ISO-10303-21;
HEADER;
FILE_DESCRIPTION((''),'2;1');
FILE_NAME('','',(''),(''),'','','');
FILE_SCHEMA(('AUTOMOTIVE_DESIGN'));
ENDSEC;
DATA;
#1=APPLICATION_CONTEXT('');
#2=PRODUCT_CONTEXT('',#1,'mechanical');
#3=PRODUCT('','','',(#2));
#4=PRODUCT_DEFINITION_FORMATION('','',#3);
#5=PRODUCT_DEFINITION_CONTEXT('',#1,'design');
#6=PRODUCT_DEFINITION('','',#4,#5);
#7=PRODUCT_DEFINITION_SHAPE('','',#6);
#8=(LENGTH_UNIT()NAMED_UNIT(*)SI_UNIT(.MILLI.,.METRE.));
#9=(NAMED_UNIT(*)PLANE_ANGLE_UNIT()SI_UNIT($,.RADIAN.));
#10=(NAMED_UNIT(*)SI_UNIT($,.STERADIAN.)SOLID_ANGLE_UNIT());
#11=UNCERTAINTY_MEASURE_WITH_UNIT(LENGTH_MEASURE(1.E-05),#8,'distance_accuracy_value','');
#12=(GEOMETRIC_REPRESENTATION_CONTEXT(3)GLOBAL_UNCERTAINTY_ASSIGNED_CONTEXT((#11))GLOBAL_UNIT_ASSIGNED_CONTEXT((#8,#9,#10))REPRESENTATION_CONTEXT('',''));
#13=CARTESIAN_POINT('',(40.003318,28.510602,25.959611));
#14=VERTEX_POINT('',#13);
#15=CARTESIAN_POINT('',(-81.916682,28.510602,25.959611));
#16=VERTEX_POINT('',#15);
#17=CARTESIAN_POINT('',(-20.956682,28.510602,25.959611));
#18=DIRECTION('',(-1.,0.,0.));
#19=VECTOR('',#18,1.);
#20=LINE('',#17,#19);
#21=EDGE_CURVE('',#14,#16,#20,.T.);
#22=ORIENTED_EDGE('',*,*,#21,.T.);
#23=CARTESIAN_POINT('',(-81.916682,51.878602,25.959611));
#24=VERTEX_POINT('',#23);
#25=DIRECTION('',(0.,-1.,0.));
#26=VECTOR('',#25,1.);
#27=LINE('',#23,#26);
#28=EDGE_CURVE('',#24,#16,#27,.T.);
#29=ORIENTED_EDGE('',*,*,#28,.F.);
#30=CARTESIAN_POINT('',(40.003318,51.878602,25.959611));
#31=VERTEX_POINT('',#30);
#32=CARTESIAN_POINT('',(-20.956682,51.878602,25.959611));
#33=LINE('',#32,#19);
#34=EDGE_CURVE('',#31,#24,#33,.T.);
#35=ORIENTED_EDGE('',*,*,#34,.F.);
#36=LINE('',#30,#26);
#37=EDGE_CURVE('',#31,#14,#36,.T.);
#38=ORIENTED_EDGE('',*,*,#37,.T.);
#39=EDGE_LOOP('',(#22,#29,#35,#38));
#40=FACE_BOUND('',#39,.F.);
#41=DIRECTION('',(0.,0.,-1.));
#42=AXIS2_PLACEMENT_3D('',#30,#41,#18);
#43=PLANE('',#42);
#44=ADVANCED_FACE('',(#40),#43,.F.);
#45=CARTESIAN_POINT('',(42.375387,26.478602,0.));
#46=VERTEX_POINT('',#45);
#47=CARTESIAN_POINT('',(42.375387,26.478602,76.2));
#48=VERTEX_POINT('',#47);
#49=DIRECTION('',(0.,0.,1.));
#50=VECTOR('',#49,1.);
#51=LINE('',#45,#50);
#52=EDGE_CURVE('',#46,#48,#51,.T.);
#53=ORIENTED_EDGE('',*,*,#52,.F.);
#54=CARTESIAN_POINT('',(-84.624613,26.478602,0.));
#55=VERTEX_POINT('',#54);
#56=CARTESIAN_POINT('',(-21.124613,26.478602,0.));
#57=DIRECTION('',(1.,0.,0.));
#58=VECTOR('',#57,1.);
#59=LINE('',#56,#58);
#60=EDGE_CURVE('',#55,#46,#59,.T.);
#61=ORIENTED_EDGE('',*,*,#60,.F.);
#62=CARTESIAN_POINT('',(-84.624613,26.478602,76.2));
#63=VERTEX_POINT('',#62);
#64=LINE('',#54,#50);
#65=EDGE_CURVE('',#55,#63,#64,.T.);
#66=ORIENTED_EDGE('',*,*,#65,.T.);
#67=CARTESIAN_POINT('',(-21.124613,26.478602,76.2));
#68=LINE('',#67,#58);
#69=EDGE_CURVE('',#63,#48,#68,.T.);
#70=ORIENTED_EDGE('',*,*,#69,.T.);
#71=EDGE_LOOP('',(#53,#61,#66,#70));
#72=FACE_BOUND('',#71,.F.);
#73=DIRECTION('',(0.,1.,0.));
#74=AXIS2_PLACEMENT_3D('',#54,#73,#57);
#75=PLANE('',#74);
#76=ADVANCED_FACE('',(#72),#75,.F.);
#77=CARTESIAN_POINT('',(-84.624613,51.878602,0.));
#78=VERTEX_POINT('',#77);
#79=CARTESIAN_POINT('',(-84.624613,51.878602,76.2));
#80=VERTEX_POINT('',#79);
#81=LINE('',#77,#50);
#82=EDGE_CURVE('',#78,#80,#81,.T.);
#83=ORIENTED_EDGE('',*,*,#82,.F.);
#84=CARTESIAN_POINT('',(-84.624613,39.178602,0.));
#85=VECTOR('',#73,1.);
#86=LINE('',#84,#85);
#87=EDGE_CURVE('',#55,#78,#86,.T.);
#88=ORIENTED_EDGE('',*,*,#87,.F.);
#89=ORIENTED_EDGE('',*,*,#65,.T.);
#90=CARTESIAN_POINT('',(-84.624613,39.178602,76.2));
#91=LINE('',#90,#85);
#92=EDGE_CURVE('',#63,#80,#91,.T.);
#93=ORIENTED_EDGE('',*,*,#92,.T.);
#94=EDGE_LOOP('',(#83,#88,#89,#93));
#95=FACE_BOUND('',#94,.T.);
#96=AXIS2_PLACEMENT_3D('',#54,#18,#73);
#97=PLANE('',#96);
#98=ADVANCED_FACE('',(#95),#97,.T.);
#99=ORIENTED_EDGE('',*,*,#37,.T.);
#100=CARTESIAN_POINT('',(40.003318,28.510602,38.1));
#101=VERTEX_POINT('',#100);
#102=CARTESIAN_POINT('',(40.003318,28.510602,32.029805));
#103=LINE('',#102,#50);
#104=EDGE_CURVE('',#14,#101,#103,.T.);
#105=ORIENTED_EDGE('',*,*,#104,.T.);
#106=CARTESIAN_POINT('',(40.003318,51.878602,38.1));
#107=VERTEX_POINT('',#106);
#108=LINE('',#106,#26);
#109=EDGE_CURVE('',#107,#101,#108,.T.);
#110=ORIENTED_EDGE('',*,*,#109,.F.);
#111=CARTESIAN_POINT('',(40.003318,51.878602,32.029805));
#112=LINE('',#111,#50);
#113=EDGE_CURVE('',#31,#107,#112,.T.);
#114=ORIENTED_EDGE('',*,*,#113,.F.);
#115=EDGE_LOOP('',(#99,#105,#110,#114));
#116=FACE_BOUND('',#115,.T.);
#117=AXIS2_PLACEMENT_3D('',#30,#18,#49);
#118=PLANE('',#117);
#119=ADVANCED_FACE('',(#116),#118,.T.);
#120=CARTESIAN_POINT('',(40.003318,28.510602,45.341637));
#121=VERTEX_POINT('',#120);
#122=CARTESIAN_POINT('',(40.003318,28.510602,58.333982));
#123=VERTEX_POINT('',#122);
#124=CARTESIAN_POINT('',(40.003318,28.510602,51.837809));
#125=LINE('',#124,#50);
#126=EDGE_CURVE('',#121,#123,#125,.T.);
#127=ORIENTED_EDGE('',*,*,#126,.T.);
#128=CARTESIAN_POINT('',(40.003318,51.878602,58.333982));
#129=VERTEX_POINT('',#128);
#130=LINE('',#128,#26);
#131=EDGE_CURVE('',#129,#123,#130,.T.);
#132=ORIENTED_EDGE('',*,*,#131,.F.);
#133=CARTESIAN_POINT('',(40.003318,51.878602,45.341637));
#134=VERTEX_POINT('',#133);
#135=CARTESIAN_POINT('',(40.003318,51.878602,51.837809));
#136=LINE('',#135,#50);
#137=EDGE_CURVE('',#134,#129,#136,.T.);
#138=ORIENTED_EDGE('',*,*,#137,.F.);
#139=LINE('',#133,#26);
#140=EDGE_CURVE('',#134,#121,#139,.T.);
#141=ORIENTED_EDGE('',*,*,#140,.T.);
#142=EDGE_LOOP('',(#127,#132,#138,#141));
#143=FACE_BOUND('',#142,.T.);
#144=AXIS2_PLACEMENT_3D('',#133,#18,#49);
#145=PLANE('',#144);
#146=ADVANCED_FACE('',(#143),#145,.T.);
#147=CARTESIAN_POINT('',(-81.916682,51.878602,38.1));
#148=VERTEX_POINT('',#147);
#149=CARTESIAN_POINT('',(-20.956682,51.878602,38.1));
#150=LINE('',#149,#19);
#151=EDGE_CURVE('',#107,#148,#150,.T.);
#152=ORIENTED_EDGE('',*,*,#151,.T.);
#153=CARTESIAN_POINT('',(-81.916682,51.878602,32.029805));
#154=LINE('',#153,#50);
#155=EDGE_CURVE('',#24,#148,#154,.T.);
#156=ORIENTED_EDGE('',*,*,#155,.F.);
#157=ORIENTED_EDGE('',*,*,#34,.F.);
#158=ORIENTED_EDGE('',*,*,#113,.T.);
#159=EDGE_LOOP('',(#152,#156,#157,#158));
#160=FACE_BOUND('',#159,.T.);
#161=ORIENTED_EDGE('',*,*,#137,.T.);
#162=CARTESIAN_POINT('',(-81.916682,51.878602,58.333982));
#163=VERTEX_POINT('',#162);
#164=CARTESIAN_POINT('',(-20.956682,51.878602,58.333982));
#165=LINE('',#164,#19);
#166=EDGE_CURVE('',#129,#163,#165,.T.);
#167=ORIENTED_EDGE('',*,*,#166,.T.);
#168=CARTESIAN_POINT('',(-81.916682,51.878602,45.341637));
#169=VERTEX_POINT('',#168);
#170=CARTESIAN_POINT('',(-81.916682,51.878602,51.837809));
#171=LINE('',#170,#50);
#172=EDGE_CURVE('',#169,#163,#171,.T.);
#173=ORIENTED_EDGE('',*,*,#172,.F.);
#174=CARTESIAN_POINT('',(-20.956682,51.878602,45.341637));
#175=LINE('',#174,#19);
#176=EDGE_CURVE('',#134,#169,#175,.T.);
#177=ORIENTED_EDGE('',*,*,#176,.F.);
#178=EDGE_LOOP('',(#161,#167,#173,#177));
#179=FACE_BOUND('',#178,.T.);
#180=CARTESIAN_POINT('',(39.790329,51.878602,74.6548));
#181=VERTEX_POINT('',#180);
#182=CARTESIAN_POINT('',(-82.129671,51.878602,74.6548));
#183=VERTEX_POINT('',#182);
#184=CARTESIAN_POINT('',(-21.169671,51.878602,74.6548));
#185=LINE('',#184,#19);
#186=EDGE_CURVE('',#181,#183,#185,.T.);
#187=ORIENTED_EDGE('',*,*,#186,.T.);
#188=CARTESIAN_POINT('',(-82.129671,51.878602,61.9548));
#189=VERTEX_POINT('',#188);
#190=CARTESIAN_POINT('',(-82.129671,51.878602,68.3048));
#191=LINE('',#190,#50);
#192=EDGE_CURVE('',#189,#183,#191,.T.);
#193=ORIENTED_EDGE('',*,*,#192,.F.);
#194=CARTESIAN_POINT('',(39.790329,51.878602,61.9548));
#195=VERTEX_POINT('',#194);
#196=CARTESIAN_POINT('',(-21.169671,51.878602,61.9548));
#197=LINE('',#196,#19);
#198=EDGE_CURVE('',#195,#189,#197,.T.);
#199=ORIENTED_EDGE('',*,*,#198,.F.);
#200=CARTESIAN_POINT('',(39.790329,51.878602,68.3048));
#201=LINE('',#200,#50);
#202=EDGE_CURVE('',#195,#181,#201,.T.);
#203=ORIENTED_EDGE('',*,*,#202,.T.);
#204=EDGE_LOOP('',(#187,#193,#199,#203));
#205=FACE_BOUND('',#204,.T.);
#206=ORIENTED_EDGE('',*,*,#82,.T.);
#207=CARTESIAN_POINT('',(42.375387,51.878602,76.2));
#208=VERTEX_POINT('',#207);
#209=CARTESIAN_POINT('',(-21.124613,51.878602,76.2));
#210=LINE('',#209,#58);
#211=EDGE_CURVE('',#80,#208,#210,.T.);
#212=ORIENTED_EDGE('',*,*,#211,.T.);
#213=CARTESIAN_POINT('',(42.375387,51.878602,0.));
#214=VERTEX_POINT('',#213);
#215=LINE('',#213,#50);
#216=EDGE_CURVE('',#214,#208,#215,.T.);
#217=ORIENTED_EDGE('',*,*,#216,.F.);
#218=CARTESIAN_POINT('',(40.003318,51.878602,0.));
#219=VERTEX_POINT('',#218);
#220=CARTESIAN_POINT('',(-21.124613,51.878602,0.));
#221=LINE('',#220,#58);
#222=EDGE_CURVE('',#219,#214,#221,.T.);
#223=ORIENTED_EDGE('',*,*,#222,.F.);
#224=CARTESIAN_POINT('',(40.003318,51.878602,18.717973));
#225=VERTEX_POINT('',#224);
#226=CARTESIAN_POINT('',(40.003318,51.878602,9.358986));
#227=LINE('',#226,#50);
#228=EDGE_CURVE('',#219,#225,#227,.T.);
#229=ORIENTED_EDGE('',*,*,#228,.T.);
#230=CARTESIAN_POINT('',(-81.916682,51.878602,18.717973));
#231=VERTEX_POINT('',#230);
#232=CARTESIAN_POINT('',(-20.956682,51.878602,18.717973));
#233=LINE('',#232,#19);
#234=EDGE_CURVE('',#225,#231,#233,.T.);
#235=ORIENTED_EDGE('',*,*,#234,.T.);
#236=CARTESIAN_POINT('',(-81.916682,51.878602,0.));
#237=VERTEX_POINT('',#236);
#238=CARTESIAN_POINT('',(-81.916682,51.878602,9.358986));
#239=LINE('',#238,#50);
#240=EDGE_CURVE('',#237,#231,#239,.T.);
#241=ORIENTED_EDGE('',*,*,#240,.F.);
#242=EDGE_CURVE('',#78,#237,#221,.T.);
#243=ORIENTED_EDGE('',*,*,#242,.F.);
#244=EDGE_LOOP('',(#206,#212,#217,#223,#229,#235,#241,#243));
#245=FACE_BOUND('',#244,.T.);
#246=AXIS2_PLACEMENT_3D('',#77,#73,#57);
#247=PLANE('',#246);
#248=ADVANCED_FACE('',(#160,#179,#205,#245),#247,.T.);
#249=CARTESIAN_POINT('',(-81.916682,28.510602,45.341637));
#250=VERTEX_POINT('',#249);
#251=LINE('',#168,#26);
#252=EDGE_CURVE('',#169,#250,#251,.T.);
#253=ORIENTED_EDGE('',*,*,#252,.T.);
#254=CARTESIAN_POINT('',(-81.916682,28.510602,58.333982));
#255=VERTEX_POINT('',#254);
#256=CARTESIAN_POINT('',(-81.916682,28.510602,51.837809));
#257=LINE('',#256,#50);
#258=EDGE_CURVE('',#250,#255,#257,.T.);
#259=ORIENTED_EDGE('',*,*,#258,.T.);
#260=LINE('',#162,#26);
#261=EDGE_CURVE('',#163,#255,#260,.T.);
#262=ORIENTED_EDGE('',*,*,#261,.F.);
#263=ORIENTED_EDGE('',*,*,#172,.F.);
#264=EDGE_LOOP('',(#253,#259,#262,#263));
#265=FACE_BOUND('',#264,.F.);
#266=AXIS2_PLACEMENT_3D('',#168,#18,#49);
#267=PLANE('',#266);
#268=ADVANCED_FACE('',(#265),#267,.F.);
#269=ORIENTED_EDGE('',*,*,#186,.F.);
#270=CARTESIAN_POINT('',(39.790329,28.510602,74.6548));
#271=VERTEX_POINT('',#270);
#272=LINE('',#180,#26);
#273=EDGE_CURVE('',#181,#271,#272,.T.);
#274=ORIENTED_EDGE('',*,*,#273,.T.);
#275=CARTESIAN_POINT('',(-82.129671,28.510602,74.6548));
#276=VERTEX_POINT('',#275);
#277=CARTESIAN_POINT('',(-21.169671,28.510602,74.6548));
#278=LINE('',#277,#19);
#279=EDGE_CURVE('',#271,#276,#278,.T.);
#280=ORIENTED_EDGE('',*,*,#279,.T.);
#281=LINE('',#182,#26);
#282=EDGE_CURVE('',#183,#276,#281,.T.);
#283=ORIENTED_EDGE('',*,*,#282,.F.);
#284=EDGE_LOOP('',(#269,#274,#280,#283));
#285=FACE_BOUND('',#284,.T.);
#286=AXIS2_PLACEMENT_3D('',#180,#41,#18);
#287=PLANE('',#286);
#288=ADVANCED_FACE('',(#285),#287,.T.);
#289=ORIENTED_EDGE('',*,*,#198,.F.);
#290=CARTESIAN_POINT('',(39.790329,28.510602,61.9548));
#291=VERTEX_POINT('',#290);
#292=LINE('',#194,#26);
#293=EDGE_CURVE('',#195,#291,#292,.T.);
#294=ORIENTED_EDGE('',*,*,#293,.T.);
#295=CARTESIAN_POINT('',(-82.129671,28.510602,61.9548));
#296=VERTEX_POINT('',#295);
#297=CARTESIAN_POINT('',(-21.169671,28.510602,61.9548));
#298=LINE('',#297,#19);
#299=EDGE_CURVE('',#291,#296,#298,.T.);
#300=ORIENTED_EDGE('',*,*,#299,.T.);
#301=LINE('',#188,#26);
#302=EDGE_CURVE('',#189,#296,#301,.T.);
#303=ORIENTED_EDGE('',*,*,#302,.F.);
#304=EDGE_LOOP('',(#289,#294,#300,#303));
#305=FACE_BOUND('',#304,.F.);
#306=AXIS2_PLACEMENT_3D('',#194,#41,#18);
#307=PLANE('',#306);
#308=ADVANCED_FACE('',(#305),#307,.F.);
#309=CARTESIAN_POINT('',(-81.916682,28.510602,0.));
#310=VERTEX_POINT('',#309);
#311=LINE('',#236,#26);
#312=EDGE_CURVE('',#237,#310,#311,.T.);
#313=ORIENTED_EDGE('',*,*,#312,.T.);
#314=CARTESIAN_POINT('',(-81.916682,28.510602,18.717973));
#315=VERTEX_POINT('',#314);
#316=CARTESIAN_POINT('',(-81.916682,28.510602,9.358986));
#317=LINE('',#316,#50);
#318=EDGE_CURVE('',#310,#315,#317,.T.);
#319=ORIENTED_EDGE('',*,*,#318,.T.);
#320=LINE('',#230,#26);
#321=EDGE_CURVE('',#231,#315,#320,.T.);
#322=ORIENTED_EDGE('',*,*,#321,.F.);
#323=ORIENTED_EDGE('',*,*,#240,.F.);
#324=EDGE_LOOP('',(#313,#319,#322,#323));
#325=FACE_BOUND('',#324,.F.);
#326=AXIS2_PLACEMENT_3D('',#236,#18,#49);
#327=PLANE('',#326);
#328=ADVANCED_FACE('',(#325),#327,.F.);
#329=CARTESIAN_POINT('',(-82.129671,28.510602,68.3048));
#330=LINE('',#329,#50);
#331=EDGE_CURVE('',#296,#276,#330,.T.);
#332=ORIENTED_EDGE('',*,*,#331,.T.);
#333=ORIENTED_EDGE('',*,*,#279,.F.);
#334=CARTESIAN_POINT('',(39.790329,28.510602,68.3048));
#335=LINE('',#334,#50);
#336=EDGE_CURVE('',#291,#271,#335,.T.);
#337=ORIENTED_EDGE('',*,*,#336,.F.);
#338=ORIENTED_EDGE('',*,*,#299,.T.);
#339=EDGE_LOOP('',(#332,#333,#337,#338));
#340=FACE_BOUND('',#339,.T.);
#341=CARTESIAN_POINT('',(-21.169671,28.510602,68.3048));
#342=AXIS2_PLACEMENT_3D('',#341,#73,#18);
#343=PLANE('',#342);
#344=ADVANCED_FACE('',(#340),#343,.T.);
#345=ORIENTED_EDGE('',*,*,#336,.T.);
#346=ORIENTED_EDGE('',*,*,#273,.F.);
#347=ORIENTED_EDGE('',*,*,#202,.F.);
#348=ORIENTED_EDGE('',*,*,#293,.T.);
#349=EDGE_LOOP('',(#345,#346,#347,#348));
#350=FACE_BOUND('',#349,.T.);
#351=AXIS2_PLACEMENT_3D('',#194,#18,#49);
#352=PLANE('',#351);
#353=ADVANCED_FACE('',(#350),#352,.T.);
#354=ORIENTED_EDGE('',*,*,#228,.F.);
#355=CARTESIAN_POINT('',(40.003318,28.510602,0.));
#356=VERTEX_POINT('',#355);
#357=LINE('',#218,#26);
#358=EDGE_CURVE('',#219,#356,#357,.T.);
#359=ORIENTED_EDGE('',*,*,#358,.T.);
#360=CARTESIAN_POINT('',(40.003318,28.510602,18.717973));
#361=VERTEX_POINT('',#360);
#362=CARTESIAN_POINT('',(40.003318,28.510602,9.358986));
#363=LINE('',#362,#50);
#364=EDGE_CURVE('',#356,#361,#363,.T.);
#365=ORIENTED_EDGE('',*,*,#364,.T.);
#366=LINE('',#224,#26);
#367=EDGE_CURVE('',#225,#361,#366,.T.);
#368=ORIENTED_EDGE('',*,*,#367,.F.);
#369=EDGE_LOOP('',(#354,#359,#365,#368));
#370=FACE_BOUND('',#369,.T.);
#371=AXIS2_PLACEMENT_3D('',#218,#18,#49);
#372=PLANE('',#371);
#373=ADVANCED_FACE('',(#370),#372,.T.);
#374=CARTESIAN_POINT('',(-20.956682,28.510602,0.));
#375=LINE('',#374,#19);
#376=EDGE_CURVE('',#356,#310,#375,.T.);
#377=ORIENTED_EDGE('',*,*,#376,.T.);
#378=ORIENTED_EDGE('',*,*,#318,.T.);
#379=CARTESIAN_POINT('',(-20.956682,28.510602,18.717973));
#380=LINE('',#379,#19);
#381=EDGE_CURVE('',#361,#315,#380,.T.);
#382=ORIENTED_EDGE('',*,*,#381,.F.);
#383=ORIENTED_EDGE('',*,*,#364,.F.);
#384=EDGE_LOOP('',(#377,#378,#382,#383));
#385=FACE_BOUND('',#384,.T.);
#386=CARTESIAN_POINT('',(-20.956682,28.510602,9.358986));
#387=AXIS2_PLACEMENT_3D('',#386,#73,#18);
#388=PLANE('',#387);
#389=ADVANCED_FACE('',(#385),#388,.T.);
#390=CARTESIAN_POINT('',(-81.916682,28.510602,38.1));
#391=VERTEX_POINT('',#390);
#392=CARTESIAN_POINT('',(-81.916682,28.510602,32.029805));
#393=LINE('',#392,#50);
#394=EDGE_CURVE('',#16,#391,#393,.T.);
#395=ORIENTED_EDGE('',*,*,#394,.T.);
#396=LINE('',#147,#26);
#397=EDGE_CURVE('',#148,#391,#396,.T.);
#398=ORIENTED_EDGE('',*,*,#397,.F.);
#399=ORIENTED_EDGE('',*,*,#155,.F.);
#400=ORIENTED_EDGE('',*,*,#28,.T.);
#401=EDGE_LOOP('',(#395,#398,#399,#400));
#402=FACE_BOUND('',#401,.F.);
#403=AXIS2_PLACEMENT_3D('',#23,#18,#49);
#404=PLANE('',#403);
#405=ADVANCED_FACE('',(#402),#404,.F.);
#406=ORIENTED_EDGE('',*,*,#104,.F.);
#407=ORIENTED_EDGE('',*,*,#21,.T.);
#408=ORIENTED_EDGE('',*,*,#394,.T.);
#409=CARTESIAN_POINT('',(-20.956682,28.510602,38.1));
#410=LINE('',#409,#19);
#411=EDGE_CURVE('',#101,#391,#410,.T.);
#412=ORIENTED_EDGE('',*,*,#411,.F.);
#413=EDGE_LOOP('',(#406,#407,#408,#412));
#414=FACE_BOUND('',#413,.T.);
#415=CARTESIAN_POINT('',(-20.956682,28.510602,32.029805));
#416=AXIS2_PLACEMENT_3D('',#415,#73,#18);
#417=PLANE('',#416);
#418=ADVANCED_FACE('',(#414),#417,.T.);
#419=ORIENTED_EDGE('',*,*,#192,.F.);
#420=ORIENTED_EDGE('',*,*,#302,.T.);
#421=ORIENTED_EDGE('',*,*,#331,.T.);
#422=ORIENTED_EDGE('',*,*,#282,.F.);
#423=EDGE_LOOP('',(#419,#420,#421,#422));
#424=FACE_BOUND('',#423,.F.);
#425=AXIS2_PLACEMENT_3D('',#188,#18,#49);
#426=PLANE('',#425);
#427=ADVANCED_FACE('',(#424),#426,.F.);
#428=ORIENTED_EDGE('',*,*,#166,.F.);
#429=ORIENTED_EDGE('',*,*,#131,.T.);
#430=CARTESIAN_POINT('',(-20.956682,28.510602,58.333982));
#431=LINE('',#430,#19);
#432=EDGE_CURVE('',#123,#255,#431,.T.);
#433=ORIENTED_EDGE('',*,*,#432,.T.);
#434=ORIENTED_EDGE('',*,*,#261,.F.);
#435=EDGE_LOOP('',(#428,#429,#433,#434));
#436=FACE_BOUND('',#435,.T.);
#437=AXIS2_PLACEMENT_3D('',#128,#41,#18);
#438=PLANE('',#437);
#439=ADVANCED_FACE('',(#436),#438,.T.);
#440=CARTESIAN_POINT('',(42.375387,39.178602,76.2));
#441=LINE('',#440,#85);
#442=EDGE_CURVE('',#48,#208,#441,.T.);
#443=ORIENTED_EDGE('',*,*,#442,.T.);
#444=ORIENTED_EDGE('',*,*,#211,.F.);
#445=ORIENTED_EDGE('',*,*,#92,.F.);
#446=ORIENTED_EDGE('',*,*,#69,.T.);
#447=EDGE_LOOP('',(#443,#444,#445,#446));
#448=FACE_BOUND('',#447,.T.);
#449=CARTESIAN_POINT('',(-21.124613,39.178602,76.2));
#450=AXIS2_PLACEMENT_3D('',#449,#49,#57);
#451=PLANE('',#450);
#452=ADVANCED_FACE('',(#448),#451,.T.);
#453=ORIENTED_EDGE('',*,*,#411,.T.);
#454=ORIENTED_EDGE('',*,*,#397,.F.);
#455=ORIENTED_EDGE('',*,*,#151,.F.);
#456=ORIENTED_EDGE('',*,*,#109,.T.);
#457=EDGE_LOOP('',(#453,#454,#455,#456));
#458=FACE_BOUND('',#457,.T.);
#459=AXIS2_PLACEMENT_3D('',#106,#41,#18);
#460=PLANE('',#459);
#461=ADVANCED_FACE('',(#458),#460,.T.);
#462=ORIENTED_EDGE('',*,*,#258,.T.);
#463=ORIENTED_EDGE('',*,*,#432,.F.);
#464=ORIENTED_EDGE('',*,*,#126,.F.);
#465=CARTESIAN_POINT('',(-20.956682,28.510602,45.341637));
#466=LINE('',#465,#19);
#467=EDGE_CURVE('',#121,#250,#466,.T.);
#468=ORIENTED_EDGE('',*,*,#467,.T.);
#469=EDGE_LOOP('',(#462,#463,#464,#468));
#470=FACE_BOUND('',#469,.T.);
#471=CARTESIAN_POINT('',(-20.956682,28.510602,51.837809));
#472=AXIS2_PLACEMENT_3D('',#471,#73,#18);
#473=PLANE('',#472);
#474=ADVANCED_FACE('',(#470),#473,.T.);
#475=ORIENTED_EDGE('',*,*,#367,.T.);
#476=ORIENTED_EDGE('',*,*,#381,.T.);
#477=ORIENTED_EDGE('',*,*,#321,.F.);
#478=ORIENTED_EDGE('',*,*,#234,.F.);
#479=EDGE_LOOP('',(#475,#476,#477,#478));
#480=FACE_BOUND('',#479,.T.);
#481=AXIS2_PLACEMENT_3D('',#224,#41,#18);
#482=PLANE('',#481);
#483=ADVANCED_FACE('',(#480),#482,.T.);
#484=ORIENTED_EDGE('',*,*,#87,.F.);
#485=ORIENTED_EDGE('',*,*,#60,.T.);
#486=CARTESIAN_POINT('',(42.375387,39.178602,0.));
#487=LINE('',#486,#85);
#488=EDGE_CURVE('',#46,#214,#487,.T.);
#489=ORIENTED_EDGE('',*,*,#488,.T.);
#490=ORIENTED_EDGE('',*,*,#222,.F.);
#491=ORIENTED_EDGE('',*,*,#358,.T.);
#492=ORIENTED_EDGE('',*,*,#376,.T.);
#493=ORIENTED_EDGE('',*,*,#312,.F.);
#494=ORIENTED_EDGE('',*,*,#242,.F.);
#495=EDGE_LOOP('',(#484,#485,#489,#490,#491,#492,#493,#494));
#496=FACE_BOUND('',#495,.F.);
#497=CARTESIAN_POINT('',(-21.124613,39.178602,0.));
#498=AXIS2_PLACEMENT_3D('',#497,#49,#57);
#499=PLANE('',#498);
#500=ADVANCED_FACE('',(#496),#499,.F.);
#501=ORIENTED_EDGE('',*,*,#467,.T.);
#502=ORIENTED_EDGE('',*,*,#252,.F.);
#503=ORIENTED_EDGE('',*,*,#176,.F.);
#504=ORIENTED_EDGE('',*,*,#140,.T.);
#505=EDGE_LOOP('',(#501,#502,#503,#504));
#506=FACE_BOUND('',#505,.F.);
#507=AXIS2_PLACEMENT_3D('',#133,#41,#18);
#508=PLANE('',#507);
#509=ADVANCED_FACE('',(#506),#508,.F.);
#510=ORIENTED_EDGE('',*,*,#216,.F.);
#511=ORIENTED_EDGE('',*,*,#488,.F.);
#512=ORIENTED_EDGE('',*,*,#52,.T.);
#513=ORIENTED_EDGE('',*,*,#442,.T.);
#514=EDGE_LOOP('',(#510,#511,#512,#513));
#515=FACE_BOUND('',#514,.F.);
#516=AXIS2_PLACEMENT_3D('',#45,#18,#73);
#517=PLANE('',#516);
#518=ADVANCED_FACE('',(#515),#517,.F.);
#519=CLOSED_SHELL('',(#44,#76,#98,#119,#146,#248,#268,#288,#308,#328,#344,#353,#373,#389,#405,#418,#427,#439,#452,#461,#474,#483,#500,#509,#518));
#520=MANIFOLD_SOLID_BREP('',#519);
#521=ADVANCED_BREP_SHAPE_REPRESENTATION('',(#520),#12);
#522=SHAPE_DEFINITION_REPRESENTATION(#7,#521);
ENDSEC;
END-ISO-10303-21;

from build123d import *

# Parameters (mm, degrees)
F0_W     = 127
F0_H     = 25.4
F1_DEPTH = 76.2
F2_W     = 121.92
F2_H     = 12.7
F2_H_2   = 12.9923447967
F2_H_3   = 12.140389061
F2_H_4   = 18.7179725617
F3_DEPTH = 23.368


with BuildPart() as f1:
    # F0 (on Top) → F1 (new body)
    with BuildSketch(Plane.XY):
        with Locations((-21.1246134713, 39.178602326)):
            Rectangle(F0_W, F0_H)
    extrude(amount=F1_DEPTH)

    # F2 (on face) → F3 (cut)
    with BuildSketch(Plane(origin=(0, 51.878602326, 0), x_dir=(-1, 0, 0), z_dir=(0, 1, 0))):
        with Locations((21.1696714079, 68.3048000395)):
            Rectangle(F2_W, F2_H)
        with Locations((20.9566816604, 51.8378093839)):
            Rectangle(F2_W, F2_H_2)
        with Locations((20.9566816604, 32.0298054695)):
            Rectangle(F2_W, F2_H_3)
        with Locations((20.9566816604, 9.3589862809)):
            Rectangle(F2_W, F2_H_4)
    extrude(amount=-F3_DEPTH, mode=Mode.SUBTRACT)


solid = f1.part
